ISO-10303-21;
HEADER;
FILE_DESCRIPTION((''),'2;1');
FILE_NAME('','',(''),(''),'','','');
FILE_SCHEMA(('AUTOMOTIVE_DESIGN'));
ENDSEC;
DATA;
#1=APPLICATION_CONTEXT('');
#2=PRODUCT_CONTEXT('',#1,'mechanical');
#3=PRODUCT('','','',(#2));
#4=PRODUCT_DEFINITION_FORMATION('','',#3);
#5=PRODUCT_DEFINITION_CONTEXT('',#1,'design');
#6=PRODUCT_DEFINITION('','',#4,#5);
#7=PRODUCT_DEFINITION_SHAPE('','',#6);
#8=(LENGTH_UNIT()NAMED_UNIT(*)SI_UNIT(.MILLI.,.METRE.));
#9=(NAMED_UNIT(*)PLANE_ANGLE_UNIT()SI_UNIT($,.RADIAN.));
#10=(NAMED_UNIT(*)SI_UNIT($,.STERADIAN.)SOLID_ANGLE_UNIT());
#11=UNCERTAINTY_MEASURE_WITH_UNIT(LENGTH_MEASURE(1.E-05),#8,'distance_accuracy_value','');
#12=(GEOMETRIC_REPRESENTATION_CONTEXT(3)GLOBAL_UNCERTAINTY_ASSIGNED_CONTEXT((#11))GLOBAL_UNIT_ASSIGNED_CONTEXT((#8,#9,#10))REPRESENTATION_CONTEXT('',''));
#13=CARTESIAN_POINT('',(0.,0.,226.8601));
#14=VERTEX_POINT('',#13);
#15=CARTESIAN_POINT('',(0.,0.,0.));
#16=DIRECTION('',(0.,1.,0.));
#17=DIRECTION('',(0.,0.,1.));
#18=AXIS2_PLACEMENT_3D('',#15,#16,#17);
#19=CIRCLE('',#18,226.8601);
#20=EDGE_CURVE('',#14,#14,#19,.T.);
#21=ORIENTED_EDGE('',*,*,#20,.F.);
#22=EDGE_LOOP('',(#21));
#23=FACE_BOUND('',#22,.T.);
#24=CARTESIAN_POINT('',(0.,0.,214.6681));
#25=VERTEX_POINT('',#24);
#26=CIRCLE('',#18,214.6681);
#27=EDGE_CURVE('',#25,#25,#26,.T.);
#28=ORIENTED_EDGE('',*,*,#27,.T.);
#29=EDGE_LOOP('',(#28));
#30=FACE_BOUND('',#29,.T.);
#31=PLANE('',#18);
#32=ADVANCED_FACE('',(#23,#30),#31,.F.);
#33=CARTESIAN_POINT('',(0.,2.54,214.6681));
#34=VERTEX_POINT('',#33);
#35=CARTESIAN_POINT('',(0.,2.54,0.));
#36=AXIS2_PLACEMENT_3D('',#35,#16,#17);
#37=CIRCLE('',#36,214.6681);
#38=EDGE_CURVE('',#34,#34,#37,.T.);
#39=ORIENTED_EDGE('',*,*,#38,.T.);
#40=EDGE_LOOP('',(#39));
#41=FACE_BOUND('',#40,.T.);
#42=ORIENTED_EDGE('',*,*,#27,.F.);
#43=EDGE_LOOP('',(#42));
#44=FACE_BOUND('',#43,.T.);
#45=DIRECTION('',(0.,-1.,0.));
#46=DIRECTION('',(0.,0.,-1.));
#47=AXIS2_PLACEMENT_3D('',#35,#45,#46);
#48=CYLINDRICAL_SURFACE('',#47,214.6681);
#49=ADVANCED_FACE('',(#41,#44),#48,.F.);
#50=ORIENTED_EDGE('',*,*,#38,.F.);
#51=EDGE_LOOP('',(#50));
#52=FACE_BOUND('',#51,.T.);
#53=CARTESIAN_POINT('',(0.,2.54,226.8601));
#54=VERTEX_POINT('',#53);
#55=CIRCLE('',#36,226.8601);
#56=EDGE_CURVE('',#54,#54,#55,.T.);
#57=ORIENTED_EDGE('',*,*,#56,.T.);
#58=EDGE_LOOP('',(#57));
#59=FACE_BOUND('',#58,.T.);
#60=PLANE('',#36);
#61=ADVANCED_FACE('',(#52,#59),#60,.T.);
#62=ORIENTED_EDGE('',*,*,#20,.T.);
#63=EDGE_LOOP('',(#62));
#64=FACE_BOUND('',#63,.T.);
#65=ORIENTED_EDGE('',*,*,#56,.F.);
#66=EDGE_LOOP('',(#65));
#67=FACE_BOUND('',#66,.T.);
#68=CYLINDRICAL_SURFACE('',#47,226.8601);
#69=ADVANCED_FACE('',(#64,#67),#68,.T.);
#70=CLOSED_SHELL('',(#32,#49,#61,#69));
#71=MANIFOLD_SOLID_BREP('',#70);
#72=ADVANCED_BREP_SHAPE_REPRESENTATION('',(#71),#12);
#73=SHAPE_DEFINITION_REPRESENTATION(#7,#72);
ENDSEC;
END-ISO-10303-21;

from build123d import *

# Parameters (mm, degrees)
SKETCH1_R           = 226.8601
SKETCH1_R_2         = 214.6681
BOSS_EXTRUDE1_DEPTH = 2.54


with BuildPart() as part:
    # Sketch1 → Boss-Extrude1 (new body)
    with BuildSketch(Plane(origin=(0, 0, 0), x_dir=(1, 0, 0), z_dir=(0, 1, 0))):
        with Locations(Location((0, 0, 0), (0, 0, 270))):
            Circle(SKETCH1_R)
        with Locations(Location((0, 0, 0), (0, 0, 270))):
            Circle(SKETCH1_R_2, mode=Mode.SUBTRACT)
    extrude(amount=BOSS_EXTRUDE1_DEPTH)


solid = part.part
